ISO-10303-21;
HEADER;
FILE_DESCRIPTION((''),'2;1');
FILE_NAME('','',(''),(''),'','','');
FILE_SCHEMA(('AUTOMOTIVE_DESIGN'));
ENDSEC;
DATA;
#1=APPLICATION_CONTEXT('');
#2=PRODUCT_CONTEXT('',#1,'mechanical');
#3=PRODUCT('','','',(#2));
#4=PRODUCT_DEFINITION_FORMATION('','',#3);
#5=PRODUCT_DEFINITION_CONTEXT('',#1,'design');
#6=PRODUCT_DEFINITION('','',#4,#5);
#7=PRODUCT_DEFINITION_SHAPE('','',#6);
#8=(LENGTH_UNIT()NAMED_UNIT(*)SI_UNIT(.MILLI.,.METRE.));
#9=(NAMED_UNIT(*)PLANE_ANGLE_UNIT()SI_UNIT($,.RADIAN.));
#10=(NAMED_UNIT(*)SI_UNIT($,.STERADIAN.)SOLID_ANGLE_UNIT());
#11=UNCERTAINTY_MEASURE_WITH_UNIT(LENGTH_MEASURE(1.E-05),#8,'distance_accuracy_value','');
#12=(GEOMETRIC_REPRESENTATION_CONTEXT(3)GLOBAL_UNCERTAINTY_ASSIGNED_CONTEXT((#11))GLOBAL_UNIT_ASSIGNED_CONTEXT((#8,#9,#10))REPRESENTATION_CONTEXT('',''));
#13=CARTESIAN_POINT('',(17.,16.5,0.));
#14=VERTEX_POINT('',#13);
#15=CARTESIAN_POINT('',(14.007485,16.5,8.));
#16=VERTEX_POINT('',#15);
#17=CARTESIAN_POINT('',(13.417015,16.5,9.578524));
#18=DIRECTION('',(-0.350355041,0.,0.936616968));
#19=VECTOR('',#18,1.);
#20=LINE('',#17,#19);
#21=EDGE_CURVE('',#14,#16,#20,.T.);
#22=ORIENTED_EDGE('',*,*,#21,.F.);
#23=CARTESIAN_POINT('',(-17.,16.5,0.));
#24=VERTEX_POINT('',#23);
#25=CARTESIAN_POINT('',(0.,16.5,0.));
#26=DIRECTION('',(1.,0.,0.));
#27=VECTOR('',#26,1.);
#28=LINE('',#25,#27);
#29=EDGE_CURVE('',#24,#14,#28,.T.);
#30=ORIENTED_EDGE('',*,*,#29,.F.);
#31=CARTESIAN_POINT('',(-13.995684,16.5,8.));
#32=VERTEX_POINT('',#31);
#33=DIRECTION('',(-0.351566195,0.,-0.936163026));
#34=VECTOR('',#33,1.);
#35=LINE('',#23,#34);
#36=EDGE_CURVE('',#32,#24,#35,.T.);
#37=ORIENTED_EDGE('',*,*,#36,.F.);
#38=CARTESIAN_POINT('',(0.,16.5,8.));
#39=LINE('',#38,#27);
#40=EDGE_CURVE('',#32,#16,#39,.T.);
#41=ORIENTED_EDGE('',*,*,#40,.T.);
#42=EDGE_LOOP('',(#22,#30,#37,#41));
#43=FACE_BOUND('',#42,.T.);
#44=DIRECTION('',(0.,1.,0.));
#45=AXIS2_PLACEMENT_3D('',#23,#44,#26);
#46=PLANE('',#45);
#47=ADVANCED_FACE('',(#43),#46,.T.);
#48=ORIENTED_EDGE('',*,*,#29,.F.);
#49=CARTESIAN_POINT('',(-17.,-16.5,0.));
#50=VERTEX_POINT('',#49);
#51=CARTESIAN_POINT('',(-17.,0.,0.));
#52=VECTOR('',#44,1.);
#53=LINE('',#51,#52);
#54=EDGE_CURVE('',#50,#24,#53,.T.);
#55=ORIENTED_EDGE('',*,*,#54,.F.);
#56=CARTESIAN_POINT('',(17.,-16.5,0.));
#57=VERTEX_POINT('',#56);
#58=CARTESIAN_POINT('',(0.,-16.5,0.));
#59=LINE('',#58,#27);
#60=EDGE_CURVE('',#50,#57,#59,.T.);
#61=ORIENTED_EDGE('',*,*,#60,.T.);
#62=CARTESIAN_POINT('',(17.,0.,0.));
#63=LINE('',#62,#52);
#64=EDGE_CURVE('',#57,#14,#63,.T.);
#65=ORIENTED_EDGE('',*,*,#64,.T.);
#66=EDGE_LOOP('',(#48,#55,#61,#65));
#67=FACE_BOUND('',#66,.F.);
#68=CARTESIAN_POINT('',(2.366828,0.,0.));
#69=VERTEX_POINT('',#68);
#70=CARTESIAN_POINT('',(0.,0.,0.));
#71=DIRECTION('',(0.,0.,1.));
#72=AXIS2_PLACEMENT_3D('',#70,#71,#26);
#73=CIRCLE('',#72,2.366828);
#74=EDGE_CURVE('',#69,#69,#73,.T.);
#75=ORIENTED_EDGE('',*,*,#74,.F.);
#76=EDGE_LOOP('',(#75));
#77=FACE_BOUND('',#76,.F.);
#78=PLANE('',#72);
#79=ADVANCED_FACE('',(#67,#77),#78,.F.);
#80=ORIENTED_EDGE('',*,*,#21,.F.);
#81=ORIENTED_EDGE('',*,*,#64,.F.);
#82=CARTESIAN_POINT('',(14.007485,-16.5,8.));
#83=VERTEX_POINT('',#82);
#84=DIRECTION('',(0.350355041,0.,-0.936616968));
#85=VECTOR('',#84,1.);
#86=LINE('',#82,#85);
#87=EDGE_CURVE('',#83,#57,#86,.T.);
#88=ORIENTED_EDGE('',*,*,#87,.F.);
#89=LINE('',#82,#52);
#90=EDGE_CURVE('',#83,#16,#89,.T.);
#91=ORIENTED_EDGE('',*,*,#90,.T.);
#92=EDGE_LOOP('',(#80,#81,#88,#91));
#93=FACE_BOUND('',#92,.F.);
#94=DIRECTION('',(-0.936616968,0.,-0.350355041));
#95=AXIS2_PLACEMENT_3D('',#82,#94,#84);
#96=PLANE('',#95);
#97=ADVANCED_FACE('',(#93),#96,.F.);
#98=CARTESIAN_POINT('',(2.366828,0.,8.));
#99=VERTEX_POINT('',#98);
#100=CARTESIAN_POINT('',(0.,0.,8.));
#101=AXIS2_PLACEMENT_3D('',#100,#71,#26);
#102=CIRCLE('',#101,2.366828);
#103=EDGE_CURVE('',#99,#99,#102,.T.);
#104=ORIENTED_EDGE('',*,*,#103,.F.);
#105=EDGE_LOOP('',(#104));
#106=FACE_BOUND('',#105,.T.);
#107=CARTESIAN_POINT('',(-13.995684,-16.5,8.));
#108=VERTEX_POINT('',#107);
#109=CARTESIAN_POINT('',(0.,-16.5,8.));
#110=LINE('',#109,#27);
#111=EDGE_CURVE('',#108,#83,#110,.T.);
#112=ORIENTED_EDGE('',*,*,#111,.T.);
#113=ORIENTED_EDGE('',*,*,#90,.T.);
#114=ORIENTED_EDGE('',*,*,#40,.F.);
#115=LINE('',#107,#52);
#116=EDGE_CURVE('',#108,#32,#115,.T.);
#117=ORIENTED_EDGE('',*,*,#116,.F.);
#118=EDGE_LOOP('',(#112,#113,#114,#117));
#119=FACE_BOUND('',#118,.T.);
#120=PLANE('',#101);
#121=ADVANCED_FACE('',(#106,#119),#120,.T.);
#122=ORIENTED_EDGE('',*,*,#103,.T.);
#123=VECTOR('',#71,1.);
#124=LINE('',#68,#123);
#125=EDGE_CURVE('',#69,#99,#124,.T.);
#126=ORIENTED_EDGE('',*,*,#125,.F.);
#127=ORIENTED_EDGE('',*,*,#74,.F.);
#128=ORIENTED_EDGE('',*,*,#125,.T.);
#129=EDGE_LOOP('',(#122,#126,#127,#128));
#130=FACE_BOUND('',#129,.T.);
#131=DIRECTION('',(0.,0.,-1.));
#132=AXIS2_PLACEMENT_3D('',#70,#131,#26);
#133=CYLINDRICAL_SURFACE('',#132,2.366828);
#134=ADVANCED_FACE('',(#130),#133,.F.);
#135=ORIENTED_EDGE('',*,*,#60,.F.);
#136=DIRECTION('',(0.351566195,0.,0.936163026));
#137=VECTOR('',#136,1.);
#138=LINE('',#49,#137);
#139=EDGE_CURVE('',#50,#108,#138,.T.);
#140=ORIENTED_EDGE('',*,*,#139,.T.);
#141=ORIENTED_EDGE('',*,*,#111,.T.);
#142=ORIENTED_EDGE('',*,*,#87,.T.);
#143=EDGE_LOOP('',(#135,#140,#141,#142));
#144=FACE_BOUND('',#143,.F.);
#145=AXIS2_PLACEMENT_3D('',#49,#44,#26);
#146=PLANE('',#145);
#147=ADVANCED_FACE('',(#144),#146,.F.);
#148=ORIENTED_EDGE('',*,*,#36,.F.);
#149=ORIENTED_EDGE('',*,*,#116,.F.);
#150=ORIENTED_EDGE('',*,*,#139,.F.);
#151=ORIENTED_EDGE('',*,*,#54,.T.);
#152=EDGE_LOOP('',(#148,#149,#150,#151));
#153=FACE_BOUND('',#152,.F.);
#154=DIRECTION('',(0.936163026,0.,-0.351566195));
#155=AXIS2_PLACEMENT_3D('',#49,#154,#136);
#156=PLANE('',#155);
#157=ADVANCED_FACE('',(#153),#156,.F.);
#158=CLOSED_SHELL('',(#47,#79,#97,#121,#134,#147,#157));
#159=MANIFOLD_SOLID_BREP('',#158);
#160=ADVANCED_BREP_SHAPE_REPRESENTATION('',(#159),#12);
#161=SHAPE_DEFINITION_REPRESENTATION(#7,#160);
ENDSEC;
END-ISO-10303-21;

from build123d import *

# Parameters (mm, degrees)
F0_W     = 34
F0_H     = 33
F0_R     = 2.366828
F1_DEPTH = 8
F3_DEPTH = 35


with BuildPart() as f1:
    # F0 (on Top) → F1 (new body)
    with BuildSketch(Plane.XY):
        Rectangle(F0_W, F0_H)
        Circle(F0_R, mode=Mode.SUBTRACT)
    extrude(amount=F1_DEPTH)

    # F2 (on face) → F3 (cut)
    with BuildSketch(Plane.XZ.offset(16.5)):
        Polygon((-17, 0), (-13.995684, 8), (-17, 8), align=None)
        Polygon((17, 8), (14.007485, 8), (17, 0), align=None)
    extrude(amount=-F3_DEPTH, mode=Mode.SUBTRACT)


solid = f1.part
